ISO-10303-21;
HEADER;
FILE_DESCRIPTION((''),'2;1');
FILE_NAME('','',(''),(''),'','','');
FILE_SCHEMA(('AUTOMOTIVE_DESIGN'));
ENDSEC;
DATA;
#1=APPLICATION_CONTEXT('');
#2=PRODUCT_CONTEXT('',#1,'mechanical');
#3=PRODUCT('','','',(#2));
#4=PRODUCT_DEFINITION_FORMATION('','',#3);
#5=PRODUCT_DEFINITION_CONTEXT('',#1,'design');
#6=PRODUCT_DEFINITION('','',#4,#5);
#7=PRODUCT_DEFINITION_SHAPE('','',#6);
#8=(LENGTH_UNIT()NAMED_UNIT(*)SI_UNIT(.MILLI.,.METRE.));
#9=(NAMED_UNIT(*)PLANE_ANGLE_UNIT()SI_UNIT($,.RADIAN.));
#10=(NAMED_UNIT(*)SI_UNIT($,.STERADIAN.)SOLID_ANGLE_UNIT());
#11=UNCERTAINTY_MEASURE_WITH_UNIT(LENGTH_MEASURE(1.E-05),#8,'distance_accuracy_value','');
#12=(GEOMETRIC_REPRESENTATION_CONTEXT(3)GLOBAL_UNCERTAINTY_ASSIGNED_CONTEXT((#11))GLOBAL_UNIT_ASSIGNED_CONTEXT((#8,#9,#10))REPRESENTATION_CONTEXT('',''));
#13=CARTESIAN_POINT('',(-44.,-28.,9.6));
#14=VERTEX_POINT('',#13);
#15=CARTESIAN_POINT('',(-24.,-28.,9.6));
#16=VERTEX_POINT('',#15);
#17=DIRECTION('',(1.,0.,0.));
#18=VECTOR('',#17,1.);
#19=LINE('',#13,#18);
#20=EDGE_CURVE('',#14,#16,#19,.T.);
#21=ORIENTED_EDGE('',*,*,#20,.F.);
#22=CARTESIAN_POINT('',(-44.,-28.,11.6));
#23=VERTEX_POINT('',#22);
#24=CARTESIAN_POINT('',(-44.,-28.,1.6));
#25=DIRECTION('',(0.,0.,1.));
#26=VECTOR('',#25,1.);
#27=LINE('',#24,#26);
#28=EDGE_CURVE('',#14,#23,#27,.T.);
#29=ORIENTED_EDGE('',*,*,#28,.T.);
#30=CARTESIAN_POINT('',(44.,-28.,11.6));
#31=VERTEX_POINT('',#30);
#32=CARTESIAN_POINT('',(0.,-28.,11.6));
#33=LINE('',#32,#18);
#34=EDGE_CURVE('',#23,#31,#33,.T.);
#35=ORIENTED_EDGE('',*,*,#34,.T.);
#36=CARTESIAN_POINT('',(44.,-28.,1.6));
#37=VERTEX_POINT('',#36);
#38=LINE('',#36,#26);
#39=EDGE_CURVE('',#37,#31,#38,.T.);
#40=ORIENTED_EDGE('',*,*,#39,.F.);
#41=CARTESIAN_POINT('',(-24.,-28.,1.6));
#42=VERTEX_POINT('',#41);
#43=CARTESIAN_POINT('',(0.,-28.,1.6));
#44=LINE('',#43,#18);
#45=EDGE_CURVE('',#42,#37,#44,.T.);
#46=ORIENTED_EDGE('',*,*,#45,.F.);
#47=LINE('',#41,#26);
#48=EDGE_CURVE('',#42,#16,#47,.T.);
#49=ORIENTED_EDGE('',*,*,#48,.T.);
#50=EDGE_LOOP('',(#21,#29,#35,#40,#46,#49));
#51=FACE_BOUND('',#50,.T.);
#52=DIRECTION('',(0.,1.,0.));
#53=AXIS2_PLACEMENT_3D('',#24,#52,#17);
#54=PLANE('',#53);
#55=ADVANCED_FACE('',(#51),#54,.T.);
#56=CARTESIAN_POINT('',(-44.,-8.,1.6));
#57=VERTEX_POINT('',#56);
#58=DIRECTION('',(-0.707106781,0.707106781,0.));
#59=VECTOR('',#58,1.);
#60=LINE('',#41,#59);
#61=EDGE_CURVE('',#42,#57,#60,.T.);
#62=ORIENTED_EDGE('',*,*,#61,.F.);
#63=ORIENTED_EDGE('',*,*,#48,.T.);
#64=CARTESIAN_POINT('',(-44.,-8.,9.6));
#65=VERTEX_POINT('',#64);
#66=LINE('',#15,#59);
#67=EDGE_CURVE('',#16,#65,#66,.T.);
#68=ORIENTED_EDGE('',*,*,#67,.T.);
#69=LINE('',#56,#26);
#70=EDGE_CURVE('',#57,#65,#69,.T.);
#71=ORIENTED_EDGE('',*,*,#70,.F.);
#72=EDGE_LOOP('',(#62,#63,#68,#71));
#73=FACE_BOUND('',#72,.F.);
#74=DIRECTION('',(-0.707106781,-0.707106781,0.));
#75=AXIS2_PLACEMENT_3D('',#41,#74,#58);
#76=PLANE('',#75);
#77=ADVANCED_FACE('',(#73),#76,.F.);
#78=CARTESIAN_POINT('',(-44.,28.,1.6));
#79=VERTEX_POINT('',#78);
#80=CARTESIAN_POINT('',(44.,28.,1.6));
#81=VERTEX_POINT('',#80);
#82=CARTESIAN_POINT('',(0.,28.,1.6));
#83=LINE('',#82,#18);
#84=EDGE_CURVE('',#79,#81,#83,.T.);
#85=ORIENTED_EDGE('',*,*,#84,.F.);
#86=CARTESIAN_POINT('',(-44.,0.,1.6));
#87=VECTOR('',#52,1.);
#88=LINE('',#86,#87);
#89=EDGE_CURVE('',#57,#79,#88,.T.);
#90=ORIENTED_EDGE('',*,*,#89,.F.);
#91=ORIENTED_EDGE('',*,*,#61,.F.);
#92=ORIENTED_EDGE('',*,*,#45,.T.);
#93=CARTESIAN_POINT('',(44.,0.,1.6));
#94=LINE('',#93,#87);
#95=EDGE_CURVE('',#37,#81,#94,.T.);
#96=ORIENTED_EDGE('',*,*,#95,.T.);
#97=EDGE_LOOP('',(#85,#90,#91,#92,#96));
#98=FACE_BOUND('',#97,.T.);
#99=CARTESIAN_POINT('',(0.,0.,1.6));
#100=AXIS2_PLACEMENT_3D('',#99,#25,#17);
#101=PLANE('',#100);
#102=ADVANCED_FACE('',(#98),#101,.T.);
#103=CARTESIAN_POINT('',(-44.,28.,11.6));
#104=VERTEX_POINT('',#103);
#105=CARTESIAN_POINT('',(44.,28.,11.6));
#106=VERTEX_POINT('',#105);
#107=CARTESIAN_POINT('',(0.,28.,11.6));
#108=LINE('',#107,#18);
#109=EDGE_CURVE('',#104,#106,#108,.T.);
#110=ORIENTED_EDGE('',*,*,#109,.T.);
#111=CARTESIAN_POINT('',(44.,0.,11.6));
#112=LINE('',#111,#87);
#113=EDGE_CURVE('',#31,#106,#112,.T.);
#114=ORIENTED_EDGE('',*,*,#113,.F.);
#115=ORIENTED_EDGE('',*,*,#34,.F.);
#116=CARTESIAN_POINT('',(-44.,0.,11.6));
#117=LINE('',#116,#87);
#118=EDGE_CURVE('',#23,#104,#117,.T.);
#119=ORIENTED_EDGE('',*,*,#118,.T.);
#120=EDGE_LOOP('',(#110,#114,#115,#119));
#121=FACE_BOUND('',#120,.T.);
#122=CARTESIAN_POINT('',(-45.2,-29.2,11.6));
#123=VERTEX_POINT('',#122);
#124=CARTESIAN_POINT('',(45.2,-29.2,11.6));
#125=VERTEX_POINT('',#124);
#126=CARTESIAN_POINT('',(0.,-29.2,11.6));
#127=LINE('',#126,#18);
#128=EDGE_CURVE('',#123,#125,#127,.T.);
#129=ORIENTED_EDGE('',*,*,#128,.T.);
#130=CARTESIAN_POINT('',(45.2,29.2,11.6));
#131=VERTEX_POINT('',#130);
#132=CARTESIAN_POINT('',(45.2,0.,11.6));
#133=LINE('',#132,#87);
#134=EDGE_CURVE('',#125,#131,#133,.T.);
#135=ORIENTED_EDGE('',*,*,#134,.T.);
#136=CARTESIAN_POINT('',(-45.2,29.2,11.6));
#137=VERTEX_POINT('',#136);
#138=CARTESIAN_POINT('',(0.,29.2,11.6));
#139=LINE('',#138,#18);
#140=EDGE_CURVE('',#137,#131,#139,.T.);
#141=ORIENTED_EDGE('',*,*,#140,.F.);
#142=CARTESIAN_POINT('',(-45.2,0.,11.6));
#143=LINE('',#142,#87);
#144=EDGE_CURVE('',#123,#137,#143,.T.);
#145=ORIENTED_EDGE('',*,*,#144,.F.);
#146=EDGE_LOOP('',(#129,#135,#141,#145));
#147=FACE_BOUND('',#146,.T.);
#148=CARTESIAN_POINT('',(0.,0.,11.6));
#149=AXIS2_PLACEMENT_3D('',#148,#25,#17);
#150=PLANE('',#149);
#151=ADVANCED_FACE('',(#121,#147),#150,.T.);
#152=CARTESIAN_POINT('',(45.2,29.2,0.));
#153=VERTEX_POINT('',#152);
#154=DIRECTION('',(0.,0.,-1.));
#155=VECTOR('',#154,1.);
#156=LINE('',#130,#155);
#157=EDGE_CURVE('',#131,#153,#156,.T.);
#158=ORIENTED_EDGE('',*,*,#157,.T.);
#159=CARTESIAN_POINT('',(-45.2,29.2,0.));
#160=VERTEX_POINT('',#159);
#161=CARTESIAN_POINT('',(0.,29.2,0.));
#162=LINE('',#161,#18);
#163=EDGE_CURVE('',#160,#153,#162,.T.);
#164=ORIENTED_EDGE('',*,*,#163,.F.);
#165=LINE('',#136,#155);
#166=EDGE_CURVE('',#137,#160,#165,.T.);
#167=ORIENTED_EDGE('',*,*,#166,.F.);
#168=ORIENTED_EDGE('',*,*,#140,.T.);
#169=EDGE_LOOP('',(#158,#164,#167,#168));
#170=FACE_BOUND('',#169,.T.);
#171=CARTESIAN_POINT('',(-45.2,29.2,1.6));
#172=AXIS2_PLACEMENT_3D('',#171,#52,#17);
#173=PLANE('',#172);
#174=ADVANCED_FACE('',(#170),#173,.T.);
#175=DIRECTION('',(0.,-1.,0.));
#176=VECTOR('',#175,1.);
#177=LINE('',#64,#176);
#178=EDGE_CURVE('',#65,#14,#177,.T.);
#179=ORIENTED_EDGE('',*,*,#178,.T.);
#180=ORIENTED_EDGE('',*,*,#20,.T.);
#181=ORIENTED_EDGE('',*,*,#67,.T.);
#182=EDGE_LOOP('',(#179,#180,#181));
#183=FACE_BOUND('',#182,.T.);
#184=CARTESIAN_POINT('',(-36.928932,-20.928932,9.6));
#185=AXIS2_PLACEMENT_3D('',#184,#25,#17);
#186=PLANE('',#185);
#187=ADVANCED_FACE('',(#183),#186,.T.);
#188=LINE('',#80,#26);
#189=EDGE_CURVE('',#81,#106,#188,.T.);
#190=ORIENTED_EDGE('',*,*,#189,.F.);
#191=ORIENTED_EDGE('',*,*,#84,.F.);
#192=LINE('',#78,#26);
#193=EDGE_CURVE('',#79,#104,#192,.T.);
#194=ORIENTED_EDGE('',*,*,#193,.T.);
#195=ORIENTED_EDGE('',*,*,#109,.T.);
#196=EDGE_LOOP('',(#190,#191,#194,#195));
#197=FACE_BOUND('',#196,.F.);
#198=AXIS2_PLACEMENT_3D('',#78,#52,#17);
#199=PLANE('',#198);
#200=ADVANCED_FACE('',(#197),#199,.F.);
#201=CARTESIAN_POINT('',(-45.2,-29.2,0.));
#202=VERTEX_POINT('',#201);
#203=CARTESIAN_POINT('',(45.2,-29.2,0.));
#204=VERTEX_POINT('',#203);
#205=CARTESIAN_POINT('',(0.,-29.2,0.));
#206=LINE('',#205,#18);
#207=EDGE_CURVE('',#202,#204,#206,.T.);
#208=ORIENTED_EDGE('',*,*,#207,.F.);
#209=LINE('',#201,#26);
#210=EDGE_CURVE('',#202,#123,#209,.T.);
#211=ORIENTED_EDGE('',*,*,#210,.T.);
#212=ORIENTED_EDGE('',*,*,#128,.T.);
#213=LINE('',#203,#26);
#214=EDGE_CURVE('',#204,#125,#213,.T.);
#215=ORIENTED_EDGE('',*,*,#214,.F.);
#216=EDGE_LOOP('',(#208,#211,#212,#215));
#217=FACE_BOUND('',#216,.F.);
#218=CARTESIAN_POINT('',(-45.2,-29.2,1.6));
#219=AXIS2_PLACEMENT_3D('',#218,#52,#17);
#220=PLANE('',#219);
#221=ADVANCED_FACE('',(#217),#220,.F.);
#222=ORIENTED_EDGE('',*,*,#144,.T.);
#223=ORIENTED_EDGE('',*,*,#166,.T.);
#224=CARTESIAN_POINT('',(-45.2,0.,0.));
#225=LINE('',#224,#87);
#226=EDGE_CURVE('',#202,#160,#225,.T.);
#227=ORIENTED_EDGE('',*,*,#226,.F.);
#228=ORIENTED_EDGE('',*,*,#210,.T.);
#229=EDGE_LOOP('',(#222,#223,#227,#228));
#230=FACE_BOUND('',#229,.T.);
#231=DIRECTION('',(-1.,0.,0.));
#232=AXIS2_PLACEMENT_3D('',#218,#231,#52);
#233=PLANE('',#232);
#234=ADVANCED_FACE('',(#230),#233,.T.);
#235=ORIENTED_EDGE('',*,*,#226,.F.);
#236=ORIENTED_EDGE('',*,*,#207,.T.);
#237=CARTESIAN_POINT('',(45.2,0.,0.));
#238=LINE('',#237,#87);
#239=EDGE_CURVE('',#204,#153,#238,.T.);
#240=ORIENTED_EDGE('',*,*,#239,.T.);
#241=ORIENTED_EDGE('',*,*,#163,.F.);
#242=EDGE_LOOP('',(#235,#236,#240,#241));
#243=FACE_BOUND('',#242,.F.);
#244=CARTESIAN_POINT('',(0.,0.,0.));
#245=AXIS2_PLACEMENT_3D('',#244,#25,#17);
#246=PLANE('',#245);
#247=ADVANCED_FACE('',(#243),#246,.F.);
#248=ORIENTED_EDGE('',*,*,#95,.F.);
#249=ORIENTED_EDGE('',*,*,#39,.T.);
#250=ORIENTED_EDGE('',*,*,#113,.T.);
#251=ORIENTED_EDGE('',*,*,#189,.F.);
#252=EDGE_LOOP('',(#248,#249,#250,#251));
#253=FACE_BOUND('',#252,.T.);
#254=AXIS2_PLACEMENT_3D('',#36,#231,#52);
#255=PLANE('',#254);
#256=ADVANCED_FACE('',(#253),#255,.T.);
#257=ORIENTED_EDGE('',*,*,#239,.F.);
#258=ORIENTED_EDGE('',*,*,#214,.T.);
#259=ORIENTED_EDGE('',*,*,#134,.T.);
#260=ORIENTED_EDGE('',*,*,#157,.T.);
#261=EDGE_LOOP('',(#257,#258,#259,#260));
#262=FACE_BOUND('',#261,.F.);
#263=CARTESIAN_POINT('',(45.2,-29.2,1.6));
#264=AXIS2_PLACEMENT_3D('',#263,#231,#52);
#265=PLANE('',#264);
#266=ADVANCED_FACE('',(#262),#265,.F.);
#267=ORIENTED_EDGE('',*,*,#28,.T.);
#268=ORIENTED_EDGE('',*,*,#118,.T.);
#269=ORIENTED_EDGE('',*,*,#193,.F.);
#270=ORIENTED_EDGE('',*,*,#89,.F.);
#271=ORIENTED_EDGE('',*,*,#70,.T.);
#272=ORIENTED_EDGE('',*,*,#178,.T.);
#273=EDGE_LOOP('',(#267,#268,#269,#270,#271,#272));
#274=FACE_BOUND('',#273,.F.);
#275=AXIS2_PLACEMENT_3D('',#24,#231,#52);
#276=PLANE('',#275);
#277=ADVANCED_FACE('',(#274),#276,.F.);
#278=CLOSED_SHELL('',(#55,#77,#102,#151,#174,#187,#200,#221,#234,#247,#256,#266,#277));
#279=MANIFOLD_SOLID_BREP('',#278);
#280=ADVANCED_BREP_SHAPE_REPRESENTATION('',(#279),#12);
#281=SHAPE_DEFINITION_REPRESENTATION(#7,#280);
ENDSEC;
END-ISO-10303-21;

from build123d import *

# Parameters (mm, degrees)
F0_W     = 90.4
F0_H     = 58.4
F0_W_2   = 88
F0_H_2   = 56
F1_DEPTH = 1.6
F2_W     = 90.4
F2_H     = 58.4
F2_W_2   = 88
F2_H_2   = 56
F3_DEPTH = 10
F5_DEPTH = 8


with BuildPart() as f1:
    # F0 (on Top) → F1 (new body)
    with BuildSketch(Plane.XY):
        Rectangle(F0_W, F0_H)
        Rectangle(F0_W_2, F0_H_2, mode=Mode.SUBTRACT)
        Rectangle(F0_W_2, F0_H_2)
    extrude(amount=F1_DEPTH)

    # F2 (on face) → F3 (join)
    with BuildSketch(Plane.XY.offset(1.6)):
        Rectangle(F2_W, F2_H)
        Rectangle(F2_W_2, F2_H_2, mode=Mode.SUBTRACT)
    extrude(amount=F3_DEPTH)

    # F4 (on face) → F5 (join)
    with BuildSketch(Plane.XY.offset(1.6)):
        Polygon((-24, -28), (-44, -8), (-44, -28), align=None)
    extrude(amount=F5_DEPTH)


solid = f1.part
